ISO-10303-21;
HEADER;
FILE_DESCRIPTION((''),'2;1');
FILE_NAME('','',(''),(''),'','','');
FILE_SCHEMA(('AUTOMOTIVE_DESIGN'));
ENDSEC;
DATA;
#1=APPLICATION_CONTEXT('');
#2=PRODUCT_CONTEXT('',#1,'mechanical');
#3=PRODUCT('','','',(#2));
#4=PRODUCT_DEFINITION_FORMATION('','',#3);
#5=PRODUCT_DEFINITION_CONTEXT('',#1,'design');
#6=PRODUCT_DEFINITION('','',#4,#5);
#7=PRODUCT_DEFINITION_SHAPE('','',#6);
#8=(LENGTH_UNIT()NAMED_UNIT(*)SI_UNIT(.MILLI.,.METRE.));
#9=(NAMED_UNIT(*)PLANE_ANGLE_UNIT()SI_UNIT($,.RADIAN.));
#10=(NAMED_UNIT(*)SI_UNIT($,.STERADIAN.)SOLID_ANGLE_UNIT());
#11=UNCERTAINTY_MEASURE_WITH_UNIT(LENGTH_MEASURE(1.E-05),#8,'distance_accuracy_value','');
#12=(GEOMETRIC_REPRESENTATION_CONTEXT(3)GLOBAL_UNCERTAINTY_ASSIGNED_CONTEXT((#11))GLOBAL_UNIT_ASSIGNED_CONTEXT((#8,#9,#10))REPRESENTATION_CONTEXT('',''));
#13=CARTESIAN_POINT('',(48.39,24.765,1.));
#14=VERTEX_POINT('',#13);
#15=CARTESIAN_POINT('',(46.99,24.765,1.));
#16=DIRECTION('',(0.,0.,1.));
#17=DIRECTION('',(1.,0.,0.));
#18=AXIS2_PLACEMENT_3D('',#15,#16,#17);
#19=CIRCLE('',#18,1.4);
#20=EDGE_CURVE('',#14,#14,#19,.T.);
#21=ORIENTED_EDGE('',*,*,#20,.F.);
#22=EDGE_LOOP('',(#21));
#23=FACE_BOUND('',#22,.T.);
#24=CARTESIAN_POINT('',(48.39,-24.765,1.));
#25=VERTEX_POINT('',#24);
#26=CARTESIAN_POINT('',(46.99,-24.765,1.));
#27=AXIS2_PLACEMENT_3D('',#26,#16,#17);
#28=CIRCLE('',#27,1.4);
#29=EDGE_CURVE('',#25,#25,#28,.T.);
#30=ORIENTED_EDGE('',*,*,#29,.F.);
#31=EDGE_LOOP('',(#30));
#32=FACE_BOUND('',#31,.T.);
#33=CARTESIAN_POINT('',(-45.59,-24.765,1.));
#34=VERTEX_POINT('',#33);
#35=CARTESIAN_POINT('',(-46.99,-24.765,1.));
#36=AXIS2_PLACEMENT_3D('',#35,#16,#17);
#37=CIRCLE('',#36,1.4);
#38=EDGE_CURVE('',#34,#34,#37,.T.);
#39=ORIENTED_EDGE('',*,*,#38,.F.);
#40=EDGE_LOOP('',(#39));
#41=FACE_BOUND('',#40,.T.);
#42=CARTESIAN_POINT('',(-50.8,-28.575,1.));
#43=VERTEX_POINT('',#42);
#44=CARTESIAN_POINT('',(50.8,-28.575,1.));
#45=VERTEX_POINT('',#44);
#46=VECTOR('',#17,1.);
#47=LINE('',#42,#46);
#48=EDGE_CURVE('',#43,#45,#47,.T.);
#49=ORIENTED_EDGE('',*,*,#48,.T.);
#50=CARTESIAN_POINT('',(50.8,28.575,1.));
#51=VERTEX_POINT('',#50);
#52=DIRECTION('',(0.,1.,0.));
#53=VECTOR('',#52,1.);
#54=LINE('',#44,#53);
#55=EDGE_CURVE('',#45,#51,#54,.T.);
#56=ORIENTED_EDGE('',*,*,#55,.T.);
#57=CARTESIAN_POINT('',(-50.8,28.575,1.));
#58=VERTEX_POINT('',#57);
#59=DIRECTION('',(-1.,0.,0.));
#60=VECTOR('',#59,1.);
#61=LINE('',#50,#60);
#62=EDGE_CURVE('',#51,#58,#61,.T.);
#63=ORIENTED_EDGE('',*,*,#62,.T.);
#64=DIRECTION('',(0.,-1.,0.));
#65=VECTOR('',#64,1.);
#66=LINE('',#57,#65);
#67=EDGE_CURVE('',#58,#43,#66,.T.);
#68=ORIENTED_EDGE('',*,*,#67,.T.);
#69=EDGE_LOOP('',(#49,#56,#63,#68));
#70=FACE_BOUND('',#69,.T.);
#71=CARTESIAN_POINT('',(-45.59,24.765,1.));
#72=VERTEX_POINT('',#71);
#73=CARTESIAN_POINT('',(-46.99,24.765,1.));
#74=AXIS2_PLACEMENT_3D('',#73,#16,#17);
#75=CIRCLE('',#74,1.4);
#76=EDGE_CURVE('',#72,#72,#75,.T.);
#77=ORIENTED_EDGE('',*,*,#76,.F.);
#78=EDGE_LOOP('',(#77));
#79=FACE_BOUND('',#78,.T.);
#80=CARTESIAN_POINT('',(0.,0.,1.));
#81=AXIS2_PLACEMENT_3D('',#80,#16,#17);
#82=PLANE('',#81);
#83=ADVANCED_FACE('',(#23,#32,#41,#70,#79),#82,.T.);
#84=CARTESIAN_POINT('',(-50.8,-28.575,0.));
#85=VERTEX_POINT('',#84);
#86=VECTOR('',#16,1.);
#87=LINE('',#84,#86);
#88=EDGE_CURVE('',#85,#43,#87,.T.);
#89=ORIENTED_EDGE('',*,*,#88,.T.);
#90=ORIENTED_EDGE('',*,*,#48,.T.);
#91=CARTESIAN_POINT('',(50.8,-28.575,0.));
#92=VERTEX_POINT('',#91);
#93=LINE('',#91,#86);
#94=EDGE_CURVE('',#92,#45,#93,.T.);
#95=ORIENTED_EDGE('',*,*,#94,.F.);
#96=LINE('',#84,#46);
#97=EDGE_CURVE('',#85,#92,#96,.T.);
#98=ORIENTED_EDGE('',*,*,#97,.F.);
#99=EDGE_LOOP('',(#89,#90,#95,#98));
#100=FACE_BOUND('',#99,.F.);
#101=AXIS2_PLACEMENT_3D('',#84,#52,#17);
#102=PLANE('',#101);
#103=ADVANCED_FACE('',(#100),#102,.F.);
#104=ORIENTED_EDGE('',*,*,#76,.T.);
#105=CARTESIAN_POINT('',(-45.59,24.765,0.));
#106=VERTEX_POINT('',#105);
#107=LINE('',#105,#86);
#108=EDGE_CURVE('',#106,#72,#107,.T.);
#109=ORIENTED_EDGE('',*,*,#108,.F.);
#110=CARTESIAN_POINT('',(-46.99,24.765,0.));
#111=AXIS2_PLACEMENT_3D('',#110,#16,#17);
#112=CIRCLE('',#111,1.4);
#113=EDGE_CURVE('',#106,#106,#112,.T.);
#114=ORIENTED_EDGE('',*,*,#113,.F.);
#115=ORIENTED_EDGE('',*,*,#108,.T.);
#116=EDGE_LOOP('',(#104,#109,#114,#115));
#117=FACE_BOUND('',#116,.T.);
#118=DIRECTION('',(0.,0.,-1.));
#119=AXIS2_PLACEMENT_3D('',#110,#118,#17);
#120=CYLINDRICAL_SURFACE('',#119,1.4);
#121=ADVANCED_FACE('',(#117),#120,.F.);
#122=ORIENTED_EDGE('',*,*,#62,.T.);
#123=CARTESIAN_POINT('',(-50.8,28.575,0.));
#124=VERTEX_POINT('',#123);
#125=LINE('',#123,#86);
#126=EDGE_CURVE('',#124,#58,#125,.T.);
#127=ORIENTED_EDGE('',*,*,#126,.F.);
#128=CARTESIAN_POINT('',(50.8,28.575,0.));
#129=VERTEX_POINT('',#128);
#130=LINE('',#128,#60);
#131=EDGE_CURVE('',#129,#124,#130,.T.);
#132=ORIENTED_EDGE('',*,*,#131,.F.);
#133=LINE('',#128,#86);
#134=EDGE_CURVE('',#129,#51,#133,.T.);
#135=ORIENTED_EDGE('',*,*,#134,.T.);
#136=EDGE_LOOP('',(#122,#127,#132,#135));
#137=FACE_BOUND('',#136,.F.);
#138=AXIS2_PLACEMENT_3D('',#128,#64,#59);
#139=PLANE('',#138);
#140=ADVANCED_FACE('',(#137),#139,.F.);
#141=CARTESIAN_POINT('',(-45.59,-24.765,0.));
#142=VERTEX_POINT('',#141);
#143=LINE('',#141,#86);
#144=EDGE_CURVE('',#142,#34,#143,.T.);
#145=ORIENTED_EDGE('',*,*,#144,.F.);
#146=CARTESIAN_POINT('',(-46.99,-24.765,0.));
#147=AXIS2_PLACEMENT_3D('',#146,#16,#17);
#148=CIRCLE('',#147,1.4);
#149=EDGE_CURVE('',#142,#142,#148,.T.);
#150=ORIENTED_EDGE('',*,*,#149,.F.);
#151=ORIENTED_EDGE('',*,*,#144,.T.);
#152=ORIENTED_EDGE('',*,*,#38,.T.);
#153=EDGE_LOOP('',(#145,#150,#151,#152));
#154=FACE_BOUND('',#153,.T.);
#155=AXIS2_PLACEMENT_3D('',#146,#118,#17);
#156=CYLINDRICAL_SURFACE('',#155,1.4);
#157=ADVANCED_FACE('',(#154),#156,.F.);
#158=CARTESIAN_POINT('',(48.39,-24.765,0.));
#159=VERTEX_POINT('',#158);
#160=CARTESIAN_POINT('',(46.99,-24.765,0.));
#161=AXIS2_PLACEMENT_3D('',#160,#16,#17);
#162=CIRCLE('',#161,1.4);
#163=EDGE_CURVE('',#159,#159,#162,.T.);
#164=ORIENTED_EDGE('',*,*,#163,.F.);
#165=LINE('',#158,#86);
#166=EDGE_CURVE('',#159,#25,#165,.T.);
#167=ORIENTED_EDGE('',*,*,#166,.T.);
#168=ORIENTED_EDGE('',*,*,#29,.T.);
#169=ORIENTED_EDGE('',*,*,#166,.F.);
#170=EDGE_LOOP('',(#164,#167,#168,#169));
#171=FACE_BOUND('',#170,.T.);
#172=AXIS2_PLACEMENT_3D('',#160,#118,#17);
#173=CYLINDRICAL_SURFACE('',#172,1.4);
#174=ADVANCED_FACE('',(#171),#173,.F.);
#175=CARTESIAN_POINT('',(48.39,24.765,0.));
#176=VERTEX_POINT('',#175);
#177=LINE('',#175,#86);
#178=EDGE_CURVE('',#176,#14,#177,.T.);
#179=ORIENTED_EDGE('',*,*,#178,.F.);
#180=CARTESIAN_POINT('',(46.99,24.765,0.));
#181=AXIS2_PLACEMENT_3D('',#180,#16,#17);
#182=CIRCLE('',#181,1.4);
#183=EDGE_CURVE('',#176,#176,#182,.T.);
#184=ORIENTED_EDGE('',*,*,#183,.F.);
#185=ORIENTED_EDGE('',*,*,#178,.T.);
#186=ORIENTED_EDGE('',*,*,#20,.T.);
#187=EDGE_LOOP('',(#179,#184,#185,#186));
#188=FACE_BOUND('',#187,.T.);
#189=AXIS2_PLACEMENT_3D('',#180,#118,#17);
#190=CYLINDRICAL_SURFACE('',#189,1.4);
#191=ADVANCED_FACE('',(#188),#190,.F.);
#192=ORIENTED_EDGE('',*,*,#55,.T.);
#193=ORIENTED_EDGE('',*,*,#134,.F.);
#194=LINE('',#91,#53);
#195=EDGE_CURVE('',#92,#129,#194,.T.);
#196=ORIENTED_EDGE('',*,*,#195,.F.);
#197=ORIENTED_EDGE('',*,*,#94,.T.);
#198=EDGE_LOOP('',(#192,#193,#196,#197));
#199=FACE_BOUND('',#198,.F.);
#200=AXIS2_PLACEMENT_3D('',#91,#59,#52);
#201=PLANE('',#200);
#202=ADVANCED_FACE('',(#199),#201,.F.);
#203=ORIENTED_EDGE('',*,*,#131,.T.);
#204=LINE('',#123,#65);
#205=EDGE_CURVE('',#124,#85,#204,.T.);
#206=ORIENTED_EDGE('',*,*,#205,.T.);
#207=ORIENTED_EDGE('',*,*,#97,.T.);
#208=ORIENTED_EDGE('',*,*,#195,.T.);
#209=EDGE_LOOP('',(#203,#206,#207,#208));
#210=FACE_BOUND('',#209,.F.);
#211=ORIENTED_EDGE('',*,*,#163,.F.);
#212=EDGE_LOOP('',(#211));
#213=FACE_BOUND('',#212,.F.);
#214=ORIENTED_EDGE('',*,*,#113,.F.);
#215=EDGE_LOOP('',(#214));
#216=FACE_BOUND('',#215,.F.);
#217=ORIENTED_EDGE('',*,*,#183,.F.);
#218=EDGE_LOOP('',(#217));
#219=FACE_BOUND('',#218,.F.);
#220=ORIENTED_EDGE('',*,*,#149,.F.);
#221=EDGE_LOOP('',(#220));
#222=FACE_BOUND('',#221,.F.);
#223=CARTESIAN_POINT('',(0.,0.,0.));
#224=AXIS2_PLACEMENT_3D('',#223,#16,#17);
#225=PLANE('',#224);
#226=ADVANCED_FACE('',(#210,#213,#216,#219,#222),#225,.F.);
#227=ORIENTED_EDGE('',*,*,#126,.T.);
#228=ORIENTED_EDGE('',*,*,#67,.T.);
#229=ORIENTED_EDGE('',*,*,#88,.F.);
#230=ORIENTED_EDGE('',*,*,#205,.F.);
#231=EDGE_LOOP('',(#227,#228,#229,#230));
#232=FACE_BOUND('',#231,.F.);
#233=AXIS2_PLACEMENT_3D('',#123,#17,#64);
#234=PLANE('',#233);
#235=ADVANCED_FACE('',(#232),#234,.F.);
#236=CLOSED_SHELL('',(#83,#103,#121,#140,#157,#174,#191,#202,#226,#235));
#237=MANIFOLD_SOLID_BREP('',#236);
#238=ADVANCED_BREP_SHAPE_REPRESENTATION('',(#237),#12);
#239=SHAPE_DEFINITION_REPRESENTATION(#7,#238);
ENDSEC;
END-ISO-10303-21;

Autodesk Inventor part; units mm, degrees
ref_plane "YZ Plane" through (0, 0, 0) normal (1, 0, 0) x (0, 1, 0)
ref_plane "XZ Plane" through (0, 0, 0) normal (0, 1, 0) x (-1, 0, 0)
ref_plane "XY Plane" through (0, 0, 0) normal (0, 0, 1) x (1, 0, 0)
sketch "Sketch1" plane through (0, 0, 0) normal (0, 0, 1) x (1, 0, 0)
  line L0 (-50.8, -28.575) -> (50.8, -28.575)
  line L1 (50.8, -28.575) -> (50.8, 28.575)
  line L2 (50.8, 28.575) -> (-50.8, 28.575)
  line L3 (-50.8, 28.575) -> (-50.8, -28.575)
  line L4 (-50.8, -28.575) -> (50.8, 28.575) construction
  line L5 (50.8, -28.575) -> (-50.8, 28.575) construction
  circle A0 centre (-46.99, 24.765) radius 1.4
  line L6 (-50.8, 0) -> (50.8, 0) construction
  line L7 (0, 28.575) -> (0, -28.575) construction
  circle A1 centre (-46.99, -24.765) radius 1.4
  circle A2 centre (46.99, 24.765) radius 1.4
  circle A3 centre (46.99, -24.765) radius 1.4
  circle A4 centre (-26.67, 24.765) radius 1.4
  circle A5 centre (26.67, 24.765) radius 1.4
  circle A6 centre (-26.67, -24.765) radius 1.4
  circle A7 centre (26.67, -24.765) radius 1.4
  point P0 (0, 0)
  dimension "d2" = 101.6
  dimension "d4" = 57.15
  dimension "d5" = 49.53
  dimension "d6" = 2.8
  dimension "d8" = 2.8
  dimension "d10" = 49.53
  dimension "d21" = 3.81
  dimension "d22" = 3.81
  dimension "d23" = 3.81
  dimension "d24" = 3.81
  dimension "d25" = 3.81
  dimension "d26" = 3.81
  dimension "d27" = 3.81
  dimension "d28" = 3.81
  dimension "d29" = 20.32
  dimension "d30" = 53.34
  dimension "d31" = 49.53
  dimension "d32" = 93.98
extrude "Extrusion1" add sketch "Sketch1" along normal blind 1 contours L3 L2 L1 L0 | A4 | A5 | A6 | A7
sketch "Sketch3" plane through (0, 0, 1) normal (0, 0, 1) x (1, 0, 0)
  circle A0 centre (26.67, -24.765) radius 1.4 projected
  circle A1 centre (-26.67, -24.765) radius 1.4 projected
  line L0 (50.8, 28.575) -> (-50.8, 28.575) projected
  line L1 (-21.67, -25.765) -> (21.67, -25.765)
  line L2 (21.67, -25.765) -> (21.67, 30.575)
  line L3 (21.67, 30.575) -> (-21.67, 30.575)
  line L4 (-21.67, 30.575) -> (-21.67, -25.765)
  line L5 (50.8, -28.575) -> (50.8, 28.575) projected
  line L6 (-50.8, 28.575) -> (-50.8, -28.575) projected
  point P0 (0, 0)
  dimension "d15" = 2
  dimension "d16" = 5
  dimension "d17" = 5
  dimension "d18" = 1
  dimension "d33" = 29.13
  dimension "d34" = 29.13
extrude "Extrusion3" [suppressed]
properties part number "Beta-Board01" material "PCB(1)"
